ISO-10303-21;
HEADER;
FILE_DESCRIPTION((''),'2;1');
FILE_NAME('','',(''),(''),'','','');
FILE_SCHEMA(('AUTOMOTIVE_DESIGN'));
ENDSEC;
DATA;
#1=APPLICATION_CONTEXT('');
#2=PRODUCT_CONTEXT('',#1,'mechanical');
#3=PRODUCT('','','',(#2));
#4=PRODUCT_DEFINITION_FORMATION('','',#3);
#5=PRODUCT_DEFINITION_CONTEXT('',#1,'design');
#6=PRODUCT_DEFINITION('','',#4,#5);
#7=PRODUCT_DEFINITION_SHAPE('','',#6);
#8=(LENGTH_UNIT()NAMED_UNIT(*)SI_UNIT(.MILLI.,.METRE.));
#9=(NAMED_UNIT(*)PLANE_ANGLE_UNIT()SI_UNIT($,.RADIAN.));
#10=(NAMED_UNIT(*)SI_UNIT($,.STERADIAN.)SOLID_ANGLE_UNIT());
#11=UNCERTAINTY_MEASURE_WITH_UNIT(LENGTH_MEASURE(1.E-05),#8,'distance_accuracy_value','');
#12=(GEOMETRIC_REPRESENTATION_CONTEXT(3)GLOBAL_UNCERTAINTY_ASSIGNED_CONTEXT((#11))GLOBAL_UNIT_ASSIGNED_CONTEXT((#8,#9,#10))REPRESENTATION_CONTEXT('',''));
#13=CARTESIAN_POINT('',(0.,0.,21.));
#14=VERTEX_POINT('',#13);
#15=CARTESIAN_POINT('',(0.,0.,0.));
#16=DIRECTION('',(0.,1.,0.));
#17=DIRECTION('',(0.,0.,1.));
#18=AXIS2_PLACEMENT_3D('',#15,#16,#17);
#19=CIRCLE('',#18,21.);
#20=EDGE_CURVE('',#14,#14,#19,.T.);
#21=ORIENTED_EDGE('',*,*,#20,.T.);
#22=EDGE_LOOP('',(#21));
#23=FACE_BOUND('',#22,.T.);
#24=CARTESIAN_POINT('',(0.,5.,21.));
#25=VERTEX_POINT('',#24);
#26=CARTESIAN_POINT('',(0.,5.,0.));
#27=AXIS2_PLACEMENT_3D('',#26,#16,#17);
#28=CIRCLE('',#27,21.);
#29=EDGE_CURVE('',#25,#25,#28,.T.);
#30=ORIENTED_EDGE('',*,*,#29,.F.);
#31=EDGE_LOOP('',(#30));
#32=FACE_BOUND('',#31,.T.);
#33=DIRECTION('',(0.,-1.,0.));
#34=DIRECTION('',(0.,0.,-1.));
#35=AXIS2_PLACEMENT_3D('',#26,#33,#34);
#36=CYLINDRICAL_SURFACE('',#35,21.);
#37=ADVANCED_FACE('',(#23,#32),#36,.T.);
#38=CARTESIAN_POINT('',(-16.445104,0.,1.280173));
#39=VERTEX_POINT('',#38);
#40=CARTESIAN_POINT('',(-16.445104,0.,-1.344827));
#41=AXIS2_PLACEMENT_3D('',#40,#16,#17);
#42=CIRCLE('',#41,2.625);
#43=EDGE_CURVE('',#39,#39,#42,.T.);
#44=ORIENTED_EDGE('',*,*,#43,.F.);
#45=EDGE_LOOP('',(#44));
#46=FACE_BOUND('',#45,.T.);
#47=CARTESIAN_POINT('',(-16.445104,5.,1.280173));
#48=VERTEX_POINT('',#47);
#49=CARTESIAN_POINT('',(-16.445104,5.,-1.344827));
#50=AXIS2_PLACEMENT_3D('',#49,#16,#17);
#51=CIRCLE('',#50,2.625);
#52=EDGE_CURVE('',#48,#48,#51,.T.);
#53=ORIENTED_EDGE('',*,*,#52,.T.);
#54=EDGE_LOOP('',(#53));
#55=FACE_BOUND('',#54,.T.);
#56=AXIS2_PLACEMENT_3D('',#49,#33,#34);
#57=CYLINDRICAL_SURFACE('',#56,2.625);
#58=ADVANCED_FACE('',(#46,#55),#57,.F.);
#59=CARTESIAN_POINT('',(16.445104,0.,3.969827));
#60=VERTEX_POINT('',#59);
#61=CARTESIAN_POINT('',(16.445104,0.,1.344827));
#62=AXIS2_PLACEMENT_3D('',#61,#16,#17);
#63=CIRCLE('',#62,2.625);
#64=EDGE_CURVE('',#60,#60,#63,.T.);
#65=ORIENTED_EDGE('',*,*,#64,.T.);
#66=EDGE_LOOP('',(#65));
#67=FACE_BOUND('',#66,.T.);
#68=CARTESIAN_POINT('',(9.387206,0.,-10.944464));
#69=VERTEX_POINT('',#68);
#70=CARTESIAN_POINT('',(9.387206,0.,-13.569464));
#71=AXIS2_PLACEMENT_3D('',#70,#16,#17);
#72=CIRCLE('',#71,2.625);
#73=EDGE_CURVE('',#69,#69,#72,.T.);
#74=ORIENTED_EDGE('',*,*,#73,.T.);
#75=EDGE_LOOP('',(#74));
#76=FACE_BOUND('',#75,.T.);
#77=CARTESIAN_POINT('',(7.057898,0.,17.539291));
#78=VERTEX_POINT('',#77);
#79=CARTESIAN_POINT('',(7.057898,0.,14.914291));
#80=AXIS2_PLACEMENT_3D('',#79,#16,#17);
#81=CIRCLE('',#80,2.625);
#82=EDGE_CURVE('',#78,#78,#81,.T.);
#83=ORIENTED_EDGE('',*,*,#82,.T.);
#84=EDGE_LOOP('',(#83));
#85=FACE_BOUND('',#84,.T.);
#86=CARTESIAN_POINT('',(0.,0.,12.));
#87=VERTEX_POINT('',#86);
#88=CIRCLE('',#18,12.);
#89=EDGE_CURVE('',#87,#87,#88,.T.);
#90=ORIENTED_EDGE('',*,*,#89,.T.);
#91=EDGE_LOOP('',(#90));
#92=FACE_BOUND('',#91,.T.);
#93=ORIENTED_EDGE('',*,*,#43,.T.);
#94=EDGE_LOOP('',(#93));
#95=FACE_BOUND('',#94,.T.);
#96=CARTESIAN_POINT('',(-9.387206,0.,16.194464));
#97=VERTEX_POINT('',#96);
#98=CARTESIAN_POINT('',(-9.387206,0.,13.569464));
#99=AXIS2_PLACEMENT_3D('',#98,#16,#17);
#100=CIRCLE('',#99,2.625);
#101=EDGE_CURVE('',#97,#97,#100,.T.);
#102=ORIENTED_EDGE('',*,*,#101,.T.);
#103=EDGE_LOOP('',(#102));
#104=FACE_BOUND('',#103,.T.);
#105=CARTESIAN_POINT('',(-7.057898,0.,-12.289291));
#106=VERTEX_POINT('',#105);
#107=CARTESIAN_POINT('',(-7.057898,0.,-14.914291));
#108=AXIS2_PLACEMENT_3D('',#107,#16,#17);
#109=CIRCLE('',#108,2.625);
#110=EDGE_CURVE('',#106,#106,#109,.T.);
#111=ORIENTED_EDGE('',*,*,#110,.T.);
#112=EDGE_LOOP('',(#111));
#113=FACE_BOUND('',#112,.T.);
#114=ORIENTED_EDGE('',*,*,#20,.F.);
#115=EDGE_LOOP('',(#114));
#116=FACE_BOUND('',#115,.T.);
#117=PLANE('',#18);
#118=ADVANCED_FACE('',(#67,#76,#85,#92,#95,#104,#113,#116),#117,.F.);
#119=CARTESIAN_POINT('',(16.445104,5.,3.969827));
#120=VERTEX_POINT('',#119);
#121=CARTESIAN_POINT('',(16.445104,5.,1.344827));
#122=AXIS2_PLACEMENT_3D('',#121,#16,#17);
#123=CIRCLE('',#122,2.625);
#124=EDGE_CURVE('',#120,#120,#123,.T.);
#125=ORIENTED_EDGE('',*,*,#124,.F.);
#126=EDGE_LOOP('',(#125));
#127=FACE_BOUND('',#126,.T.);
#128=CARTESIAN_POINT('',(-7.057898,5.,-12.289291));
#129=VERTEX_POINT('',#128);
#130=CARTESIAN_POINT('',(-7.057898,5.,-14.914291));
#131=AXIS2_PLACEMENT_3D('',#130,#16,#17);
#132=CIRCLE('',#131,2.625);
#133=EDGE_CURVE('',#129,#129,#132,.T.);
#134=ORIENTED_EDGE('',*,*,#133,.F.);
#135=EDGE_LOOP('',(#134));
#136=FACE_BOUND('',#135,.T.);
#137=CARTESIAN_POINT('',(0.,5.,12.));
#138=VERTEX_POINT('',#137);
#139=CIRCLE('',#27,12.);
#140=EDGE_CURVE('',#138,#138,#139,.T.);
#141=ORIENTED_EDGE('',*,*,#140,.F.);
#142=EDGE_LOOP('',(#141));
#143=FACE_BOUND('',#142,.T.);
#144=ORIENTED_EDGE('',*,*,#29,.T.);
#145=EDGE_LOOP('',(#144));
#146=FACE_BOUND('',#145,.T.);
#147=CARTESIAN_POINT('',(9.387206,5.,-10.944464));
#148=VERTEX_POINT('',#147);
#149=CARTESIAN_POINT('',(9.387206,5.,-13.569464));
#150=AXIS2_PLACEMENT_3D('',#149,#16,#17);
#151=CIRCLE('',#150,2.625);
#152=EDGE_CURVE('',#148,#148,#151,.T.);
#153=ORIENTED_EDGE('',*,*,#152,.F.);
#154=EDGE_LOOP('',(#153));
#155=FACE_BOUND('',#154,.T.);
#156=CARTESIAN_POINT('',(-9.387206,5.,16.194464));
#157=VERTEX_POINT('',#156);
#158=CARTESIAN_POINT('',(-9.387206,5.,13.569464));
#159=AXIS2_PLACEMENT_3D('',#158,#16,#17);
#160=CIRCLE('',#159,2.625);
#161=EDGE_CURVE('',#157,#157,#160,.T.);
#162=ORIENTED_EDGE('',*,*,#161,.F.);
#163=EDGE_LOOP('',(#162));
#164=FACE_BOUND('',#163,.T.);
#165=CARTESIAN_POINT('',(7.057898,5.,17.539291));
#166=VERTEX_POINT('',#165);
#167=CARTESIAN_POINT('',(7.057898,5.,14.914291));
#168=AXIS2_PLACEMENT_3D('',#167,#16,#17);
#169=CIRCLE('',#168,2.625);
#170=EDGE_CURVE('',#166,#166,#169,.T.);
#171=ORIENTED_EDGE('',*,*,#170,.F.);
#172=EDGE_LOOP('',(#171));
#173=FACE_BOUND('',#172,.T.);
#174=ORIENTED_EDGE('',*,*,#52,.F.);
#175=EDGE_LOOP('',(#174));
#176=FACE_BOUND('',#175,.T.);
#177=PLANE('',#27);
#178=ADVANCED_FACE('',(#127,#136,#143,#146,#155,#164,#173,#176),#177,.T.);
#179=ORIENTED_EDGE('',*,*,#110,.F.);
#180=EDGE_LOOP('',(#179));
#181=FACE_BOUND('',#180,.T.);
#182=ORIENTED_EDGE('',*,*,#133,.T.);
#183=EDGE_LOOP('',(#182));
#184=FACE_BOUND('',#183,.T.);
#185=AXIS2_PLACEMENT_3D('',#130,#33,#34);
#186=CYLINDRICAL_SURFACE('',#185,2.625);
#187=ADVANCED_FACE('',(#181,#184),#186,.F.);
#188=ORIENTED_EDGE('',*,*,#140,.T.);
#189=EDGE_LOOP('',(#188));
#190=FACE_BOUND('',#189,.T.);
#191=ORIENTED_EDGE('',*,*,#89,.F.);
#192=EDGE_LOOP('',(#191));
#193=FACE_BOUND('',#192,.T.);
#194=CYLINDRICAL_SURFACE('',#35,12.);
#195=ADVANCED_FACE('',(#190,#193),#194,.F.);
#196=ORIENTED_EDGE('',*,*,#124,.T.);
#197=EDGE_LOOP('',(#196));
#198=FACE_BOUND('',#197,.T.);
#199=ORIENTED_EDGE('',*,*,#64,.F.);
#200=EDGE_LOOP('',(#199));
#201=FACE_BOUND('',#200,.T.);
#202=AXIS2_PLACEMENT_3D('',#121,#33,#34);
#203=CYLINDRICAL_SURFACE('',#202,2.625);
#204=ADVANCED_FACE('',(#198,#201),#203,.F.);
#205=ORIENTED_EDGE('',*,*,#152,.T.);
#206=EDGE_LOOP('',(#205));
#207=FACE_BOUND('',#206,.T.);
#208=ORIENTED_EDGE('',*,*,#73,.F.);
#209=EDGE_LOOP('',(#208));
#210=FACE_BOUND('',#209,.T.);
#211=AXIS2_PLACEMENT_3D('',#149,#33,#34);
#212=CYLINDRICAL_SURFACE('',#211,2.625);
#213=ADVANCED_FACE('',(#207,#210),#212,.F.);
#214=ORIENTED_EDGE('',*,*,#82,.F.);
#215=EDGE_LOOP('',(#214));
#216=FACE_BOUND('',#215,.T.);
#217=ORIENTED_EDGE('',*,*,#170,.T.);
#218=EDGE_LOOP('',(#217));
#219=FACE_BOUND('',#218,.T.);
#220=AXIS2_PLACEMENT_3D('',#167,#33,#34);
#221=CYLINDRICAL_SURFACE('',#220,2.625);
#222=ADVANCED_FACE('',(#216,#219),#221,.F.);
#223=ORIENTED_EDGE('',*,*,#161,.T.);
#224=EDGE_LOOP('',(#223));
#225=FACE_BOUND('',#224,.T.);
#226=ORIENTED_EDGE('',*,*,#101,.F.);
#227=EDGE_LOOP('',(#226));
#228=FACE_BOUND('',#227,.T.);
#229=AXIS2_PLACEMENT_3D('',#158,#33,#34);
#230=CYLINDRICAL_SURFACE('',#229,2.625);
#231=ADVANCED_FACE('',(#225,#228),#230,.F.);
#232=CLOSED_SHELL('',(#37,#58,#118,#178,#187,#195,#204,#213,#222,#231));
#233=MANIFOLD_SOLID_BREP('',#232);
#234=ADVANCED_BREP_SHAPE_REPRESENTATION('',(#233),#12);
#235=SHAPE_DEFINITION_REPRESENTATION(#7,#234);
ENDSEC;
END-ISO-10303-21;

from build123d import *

# Parameters (mm, degrees)
SKETCH1_R           = 21
SKETCH1_R_2         = 12
SKETCH1_R_3         = 2.625
BOSS_EXTRUDE1_DEPTH = 5


with BuildPart() as part:
    # Sketch1 → Boss-Extrude1 (new body)
    with BuildSketch(Plane(origin=(0, 0, 0), x_dir=(1, 0, 0), z_dir=(0, 1, 0))):
        Circle(SKETCH1_R)
        Circle(SKETCH1_R_2, mode=Mode.SUBTRACT)
        with Locations((-16.44510387, 1.344826642)):
            Circle(SKETCH1_R_3, mode=Mode.SUBTRACT)
        with Locations((-7.0578979, 14.91429104)):
            Circle(SKETCH1_R_3, mode=Mode.SUBTRACT)
        with Locations((9.387205971, 13.569464399)):
            Circle(SKETCH1_R_3, mode=Mode.SUBTRACT)
        with Locations((16.44510387, -1.344826642)):
            Circle(SKETCH1_R_3, mode=Mode.SUBTRACT)
        with Locations((7.0578979, -14.91429104)):
            Circle(SKETCH1_R_3, mode=Mode.SUBTRACT)
        with Locations((-9.387205971, -13.569464399)):
            Circle(SKETCH1_R_3, mode=Mode.SUBTRACT)
    extrude(amount=BOSS_EXTRUDE1_DEPTH)


solid = part.part
